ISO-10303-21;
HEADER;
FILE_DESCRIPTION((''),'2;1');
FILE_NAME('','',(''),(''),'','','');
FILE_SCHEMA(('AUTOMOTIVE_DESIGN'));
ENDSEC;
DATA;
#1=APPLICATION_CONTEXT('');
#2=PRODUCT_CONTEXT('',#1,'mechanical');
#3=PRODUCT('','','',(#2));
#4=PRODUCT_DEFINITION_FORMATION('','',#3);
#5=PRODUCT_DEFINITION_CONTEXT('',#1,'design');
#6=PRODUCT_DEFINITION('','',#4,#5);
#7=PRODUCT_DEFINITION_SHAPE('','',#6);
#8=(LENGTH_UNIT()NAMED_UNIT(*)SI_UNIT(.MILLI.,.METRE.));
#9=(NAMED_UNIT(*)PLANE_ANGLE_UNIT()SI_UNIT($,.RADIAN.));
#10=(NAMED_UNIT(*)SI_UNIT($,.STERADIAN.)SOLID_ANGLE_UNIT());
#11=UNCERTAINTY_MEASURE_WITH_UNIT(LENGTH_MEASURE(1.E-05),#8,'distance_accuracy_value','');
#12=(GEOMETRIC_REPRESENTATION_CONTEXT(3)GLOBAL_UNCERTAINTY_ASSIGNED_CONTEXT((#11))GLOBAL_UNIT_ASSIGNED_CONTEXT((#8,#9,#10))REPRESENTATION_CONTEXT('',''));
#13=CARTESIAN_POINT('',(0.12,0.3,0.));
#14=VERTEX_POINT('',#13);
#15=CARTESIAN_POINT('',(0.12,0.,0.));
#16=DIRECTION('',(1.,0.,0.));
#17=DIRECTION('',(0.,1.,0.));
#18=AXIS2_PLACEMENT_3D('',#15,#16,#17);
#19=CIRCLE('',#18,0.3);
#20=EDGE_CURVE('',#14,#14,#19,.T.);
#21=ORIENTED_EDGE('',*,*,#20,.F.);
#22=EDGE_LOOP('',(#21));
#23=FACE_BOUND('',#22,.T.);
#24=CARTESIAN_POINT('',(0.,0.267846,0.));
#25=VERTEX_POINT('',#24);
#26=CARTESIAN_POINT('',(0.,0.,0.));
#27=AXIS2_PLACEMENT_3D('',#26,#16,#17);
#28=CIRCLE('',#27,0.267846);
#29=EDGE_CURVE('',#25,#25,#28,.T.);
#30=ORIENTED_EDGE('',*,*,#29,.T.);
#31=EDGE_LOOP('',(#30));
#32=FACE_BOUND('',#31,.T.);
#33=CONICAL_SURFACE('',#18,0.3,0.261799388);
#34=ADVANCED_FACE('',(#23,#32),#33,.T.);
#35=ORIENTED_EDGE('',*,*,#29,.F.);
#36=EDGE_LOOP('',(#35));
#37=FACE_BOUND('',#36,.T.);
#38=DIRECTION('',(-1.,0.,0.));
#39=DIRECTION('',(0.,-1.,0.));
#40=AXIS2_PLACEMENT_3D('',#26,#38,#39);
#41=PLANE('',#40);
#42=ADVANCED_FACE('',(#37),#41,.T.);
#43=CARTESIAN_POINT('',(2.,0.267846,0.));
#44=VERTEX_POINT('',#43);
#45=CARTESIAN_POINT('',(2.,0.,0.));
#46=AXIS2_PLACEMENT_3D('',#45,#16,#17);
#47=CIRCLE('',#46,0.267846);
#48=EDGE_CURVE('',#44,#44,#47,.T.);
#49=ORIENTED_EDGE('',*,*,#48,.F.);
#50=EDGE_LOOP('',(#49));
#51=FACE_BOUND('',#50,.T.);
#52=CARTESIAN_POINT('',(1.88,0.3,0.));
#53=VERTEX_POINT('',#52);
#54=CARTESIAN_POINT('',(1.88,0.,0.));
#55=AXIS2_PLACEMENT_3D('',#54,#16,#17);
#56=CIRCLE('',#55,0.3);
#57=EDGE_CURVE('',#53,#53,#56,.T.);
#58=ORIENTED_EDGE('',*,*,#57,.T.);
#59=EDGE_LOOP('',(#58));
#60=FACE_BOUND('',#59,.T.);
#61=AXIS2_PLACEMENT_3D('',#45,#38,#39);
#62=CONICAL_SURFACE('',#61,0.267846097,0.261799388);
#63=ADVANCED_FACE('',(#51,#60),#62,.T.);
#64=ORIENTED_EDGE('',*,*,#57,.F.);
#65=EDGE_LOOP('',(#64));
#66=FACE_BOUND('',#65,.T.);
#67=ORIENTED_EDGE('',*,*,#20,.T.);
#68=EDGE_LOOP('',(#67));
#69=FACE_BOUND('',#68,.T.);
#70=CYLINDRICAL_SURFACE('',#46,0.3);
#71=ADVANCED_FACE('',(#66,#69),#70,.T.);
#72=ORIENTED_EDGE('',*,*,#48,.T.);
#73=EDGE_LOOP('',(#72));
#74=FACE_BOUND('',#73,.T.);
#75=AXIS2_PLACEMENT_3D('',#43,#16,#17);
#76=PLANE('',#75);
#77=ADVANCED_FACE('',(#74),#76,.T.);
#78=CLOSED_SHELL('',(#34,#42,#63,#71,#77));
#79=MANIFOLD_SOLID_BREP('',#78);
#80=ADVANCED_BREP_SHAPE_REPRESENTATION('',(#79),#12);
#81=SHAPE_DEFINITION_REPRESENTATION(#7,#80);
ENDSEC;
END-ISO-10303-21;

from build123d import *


with BuildPart() as part:
    # Skica1 → Otočit kolem osy1 (revolve)
    with BuildSketch(Plane.XY):
        Polygon((0, 0), (0, 0.267846097), (0.12, 0.3), (1.88, 0.3), (2, 0.267846097), (2, 0), align=None)
    revolve(axis=Axis((2, 0, 0), (-1, 0, 0)))


solid = part.part
